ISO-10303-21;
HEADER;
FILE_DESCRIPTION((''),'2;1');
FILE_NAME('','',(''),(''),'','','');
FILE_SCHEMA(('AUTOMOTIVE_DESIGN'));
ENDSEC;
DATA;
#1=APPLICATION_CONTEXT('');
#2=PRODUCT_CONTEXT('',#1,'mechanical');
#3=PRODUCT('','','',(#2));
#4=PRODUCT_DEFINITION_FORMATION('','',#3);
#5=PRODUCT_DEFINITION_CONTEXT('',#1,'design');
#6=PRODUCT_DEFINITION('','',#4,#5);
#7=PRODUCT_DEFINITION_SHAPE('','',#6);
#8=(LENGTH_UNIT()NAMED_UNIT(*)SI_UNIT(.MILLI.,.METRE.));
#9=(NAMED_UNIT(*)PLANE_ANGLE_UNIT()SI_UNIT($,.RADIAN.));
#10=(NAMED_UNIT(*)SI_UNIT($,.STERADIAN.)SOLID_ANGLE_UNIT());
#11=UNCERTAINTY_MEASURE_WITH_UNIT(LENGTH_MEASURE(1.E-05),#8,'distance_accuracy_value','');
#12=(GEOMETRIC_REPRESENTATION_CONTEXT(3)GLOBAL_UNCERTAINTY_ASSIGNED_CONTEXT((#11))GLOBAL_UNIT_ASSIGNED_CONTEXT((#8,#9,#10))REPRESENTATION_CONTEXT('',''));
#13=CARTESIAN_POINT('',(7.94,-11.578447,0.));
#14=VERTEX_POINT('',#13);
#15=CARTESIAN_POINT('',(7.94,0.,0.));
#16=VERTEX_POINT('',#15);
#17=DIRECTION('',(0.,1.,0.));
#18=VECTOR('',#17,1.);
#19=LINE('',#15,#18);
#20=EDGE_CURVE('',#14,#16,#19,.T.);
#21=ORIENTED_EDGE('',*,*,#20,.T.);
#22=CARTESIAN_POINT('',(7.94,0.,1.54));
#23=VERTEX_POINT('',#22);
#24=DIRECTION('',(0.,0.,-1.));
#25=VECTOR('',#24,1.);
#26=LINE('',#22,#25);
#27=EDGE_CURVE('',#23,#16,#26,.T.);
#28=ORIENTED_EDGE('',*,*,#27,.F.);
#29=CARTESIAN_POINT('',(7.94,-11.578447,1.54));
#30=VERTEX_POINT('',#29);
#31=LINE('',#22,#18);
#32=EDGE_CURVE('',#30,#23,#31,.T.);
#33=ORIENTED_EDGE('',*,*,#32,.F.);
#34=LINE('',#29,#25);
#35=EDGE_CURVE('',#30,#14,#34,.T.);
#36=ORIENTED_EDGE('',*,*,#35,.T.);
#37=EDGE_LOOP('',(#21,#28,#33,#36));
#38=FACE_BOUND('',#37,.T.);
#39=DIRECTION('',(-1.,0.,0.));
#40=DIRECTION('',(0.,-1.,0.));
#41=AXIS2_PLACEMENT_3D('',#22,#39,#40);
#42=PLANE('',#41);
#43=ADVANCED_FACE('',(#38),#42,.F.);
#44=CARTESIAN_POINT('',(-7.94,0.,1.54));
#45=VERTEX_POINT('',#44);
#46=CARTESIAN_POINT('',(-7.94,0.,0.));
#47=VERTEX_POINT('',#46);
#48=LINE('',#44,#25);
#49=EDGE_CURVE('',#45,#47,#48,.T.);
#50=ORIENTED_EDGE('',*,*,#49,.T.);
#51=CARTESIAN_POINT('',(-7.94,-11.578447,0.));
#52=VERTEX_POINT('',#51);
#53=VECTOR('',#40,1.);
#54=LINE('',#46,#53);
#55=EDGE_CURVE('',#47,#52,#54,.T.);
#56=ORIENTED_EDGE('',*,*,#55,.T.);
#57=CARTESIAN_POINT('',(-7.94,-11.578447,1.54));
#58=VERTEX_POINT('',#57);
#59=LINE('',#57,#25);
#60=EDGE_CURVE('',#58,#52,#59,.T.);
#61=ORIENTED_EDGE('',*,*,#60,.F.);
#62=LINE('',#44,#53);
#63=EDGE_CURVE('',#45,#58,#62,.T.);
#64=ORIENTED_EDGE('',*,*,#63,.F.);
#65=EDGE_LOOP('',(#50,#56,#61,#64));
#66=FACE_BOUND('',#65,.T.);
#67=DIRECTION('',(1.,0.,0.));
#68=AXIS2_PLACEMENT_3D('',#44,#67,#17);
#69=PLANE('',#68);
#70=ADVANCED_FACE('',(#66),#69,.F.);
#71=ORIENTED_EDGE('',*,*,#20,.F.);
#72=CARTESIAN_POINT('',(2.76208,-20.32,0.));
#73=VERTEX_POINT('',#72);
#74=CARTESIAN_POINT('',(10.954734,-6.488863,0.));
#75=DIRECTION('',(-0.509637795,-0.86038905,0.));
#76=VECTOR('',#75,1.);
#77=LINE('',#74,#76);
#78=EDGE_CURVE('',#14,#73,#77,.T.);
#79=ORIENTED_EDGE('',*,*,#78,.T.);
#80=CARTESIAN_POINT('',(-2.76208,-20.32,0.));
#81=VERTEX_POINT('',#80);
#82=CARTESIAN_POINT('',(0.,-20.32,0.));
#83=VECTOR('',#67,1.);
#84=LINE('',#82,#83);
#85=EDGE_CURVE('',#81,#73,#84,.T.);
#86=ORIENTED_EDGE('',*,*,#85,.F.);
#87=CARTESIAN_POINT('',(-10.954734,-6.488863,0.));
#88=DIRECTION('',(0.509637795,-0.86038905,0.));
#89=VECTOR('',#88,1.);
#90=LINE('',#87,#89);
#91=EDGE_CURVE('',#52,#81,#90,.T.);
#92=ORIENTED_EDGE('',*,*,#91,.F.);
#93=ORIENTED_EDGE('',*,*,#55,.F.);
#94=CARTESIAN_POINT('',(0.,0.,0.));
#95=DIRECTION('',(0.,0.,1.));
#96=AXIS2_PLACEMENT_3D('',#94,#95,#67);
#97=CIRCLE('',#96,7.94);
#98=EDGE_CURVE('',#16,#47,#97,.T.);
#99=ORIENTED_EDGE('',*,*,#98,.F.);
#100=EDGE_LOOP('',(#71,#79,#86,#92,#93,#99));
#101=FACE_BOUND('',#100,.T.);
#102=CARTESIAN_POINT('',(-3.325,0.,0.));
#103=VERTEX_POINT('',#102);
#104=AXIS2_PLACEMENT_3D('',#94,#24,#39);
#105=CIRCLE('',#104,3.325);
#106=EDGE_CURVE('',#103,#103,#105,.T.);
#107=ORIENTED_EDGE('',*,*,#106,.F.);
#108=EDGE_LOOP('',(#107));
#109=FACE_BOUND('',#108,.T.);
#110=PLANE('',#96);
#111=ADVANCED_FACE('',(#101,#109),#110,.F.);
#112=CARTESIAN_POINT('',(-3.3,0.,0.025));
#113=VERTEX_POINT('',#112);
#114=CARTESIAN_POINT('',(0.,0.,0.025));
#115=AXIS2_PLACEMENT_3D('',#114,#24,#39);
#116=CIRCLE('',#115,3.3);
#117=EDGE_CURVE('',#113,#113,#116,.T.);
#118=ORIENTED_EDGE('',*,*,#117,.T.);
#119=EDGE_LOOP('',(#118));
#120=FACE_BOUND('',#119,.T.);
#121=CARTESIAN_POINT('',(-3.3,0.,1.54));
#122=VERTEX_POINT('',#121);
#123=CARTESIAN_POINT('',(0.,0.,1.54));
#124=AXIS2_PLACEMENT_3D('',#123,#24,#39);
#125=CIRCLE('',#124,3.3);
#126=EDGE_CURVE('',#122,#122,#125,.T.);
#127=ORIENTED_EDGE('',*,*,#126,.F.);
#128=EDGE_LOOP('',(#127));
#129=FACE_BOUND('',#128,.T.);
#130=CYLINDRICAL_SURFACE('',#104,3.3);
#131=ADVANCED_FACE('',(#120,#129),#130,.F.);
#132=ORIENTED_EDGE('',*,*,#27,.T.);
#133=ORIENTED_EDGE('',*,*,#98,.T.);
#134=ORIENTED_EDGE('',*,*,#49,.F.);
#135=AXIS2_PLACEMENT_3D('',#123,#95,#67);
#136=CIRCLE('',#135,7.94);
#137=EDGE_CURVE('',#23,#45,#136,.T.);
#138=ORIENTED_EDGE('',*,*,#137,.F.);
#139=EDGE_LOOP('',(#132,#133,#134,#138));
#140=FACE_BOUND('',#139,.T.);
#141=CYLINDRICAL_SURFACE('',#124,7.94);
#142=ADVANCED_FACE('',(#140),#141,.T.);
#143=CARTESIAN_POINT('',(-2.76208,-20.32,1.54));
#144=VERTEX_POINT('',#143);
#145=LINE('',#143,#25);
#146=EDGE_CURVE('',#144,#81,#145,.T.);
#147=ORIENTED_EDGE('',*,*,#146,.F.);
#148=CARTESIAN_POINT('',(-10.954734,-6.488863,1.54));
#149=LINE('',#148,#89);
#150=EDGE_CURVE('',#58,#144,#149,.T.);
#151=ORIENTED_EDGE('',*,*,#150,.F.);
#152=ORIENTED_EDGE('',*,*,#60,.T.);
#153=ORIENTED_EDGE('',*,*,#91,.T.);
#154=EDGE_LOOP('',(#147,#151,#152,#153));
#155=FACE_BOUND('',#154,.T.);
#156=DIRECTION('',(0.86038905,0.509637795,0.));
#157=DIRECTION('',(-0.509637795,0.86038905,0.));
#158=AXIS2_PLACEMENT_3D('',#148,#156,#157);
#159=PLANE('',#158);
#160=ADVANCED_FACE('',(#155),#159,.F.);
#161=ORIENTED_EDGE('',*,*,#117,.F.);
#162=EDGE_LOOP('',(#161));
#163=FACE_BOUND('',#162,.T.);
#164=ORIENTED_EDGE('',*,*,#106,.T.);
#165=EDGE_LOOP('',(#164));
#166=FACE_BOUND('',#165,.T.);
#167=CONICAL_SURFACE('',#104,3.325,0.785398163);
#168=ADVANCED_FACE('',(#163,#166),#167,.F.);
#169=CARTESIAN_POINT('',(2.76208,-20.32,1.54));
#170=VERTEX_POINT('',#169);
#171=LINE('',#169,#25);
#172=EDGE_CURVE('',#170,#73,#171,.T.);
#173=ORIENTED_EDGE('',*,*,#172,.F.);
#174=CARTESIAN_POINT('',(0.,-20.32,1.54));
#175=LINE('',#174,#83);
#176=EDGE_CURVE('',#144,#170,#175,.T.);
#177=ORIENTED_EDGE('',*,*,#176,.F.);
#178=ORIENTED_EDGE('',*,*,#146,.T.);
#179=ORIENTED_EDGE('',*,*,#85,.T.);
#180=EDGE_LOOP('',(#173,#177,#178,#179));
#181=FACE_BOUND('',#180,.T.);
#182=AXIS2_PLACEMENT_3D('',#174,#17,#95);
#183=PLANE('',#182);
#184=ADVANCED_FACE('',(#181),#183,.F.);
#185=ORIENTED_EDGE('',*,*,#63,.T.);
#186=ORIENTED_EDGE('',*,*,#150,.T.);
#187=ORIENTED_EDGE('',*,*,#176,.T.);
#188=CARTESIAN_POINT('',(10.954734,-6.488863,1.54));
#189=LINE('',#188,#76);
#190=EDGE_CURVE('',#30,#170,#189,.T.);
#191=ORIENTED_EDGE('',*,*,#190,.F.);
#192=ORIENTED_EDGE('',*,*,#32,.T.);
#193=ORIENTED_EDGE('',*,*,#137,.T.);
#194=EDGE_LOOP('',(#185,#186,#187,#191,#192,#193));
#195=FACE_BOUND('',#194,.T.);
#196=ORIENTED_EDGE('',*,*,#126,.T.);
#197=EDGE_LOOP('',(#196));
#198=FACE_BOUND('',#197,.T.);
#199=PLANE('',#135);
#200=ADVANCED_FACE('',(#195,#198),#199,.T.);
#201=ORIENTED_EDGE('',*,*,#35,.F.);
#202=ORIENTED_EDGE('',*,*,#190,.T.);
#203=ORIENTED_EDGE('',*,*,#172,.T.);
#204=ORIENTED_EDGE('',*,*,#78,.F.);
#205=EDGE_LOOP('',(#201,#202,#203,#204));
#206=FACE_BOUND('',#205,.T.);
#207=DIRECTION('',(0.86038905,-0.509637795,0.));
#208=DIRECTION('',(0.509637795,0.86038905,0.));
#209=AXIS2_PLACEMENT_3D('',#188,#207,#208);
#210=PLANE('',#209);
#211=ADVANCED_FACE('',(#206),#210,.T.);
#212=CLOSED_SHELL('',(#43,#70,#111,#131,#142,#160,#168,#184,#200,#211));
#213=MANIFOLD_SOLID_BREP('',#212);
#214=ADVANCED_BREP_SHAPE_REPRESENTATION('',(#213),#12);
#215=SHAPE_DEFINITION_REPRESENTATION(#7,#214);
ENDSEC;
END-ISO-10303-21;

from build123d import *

# Parameters (mm, degrees)
BOSS_EXTRUDE1_DEPTH = 1.54


with BuildPart() as part:
    # Sketch1 → Boss-Extrude1 (new body)
    with BuildSketch(Plane.XY):
        with BuildLine():
            Line((7.939999995, -11.57844725), (7.939999995, 0))
            ThreePointArc((7.939999995, 0), (0, 7.939999995), (-7.939999995, 0))
            Line((-7.939999995, 0), (-7.939999995, -11.57844725))
            Line((-7.939999995, -11.57844725), (-2.762079996, -20.32))
            Line((-2.762079996, -20.32), (2.762079996, -20.32))
            Line((2.762079996, -20.32), (7.939999995, -11.57844725))
        make_face()
    extrude(amount=BOSS_EXTRUDE1_DEPTH)

    # Sketch3 → M6 Clearance Hole1 (revolve, cut)
    with BuildSketch(Plane.YZ):
        Polygon((0, 0), (0, 1.54), (3.3, 1.54), (3.3, 0.025), (3.325, 0), align=None)
    revolve(axis=Axis((0, 0, -6.35), (0, 0, 1)), mode=Mode.SUBTRACT)


solid = part.part
